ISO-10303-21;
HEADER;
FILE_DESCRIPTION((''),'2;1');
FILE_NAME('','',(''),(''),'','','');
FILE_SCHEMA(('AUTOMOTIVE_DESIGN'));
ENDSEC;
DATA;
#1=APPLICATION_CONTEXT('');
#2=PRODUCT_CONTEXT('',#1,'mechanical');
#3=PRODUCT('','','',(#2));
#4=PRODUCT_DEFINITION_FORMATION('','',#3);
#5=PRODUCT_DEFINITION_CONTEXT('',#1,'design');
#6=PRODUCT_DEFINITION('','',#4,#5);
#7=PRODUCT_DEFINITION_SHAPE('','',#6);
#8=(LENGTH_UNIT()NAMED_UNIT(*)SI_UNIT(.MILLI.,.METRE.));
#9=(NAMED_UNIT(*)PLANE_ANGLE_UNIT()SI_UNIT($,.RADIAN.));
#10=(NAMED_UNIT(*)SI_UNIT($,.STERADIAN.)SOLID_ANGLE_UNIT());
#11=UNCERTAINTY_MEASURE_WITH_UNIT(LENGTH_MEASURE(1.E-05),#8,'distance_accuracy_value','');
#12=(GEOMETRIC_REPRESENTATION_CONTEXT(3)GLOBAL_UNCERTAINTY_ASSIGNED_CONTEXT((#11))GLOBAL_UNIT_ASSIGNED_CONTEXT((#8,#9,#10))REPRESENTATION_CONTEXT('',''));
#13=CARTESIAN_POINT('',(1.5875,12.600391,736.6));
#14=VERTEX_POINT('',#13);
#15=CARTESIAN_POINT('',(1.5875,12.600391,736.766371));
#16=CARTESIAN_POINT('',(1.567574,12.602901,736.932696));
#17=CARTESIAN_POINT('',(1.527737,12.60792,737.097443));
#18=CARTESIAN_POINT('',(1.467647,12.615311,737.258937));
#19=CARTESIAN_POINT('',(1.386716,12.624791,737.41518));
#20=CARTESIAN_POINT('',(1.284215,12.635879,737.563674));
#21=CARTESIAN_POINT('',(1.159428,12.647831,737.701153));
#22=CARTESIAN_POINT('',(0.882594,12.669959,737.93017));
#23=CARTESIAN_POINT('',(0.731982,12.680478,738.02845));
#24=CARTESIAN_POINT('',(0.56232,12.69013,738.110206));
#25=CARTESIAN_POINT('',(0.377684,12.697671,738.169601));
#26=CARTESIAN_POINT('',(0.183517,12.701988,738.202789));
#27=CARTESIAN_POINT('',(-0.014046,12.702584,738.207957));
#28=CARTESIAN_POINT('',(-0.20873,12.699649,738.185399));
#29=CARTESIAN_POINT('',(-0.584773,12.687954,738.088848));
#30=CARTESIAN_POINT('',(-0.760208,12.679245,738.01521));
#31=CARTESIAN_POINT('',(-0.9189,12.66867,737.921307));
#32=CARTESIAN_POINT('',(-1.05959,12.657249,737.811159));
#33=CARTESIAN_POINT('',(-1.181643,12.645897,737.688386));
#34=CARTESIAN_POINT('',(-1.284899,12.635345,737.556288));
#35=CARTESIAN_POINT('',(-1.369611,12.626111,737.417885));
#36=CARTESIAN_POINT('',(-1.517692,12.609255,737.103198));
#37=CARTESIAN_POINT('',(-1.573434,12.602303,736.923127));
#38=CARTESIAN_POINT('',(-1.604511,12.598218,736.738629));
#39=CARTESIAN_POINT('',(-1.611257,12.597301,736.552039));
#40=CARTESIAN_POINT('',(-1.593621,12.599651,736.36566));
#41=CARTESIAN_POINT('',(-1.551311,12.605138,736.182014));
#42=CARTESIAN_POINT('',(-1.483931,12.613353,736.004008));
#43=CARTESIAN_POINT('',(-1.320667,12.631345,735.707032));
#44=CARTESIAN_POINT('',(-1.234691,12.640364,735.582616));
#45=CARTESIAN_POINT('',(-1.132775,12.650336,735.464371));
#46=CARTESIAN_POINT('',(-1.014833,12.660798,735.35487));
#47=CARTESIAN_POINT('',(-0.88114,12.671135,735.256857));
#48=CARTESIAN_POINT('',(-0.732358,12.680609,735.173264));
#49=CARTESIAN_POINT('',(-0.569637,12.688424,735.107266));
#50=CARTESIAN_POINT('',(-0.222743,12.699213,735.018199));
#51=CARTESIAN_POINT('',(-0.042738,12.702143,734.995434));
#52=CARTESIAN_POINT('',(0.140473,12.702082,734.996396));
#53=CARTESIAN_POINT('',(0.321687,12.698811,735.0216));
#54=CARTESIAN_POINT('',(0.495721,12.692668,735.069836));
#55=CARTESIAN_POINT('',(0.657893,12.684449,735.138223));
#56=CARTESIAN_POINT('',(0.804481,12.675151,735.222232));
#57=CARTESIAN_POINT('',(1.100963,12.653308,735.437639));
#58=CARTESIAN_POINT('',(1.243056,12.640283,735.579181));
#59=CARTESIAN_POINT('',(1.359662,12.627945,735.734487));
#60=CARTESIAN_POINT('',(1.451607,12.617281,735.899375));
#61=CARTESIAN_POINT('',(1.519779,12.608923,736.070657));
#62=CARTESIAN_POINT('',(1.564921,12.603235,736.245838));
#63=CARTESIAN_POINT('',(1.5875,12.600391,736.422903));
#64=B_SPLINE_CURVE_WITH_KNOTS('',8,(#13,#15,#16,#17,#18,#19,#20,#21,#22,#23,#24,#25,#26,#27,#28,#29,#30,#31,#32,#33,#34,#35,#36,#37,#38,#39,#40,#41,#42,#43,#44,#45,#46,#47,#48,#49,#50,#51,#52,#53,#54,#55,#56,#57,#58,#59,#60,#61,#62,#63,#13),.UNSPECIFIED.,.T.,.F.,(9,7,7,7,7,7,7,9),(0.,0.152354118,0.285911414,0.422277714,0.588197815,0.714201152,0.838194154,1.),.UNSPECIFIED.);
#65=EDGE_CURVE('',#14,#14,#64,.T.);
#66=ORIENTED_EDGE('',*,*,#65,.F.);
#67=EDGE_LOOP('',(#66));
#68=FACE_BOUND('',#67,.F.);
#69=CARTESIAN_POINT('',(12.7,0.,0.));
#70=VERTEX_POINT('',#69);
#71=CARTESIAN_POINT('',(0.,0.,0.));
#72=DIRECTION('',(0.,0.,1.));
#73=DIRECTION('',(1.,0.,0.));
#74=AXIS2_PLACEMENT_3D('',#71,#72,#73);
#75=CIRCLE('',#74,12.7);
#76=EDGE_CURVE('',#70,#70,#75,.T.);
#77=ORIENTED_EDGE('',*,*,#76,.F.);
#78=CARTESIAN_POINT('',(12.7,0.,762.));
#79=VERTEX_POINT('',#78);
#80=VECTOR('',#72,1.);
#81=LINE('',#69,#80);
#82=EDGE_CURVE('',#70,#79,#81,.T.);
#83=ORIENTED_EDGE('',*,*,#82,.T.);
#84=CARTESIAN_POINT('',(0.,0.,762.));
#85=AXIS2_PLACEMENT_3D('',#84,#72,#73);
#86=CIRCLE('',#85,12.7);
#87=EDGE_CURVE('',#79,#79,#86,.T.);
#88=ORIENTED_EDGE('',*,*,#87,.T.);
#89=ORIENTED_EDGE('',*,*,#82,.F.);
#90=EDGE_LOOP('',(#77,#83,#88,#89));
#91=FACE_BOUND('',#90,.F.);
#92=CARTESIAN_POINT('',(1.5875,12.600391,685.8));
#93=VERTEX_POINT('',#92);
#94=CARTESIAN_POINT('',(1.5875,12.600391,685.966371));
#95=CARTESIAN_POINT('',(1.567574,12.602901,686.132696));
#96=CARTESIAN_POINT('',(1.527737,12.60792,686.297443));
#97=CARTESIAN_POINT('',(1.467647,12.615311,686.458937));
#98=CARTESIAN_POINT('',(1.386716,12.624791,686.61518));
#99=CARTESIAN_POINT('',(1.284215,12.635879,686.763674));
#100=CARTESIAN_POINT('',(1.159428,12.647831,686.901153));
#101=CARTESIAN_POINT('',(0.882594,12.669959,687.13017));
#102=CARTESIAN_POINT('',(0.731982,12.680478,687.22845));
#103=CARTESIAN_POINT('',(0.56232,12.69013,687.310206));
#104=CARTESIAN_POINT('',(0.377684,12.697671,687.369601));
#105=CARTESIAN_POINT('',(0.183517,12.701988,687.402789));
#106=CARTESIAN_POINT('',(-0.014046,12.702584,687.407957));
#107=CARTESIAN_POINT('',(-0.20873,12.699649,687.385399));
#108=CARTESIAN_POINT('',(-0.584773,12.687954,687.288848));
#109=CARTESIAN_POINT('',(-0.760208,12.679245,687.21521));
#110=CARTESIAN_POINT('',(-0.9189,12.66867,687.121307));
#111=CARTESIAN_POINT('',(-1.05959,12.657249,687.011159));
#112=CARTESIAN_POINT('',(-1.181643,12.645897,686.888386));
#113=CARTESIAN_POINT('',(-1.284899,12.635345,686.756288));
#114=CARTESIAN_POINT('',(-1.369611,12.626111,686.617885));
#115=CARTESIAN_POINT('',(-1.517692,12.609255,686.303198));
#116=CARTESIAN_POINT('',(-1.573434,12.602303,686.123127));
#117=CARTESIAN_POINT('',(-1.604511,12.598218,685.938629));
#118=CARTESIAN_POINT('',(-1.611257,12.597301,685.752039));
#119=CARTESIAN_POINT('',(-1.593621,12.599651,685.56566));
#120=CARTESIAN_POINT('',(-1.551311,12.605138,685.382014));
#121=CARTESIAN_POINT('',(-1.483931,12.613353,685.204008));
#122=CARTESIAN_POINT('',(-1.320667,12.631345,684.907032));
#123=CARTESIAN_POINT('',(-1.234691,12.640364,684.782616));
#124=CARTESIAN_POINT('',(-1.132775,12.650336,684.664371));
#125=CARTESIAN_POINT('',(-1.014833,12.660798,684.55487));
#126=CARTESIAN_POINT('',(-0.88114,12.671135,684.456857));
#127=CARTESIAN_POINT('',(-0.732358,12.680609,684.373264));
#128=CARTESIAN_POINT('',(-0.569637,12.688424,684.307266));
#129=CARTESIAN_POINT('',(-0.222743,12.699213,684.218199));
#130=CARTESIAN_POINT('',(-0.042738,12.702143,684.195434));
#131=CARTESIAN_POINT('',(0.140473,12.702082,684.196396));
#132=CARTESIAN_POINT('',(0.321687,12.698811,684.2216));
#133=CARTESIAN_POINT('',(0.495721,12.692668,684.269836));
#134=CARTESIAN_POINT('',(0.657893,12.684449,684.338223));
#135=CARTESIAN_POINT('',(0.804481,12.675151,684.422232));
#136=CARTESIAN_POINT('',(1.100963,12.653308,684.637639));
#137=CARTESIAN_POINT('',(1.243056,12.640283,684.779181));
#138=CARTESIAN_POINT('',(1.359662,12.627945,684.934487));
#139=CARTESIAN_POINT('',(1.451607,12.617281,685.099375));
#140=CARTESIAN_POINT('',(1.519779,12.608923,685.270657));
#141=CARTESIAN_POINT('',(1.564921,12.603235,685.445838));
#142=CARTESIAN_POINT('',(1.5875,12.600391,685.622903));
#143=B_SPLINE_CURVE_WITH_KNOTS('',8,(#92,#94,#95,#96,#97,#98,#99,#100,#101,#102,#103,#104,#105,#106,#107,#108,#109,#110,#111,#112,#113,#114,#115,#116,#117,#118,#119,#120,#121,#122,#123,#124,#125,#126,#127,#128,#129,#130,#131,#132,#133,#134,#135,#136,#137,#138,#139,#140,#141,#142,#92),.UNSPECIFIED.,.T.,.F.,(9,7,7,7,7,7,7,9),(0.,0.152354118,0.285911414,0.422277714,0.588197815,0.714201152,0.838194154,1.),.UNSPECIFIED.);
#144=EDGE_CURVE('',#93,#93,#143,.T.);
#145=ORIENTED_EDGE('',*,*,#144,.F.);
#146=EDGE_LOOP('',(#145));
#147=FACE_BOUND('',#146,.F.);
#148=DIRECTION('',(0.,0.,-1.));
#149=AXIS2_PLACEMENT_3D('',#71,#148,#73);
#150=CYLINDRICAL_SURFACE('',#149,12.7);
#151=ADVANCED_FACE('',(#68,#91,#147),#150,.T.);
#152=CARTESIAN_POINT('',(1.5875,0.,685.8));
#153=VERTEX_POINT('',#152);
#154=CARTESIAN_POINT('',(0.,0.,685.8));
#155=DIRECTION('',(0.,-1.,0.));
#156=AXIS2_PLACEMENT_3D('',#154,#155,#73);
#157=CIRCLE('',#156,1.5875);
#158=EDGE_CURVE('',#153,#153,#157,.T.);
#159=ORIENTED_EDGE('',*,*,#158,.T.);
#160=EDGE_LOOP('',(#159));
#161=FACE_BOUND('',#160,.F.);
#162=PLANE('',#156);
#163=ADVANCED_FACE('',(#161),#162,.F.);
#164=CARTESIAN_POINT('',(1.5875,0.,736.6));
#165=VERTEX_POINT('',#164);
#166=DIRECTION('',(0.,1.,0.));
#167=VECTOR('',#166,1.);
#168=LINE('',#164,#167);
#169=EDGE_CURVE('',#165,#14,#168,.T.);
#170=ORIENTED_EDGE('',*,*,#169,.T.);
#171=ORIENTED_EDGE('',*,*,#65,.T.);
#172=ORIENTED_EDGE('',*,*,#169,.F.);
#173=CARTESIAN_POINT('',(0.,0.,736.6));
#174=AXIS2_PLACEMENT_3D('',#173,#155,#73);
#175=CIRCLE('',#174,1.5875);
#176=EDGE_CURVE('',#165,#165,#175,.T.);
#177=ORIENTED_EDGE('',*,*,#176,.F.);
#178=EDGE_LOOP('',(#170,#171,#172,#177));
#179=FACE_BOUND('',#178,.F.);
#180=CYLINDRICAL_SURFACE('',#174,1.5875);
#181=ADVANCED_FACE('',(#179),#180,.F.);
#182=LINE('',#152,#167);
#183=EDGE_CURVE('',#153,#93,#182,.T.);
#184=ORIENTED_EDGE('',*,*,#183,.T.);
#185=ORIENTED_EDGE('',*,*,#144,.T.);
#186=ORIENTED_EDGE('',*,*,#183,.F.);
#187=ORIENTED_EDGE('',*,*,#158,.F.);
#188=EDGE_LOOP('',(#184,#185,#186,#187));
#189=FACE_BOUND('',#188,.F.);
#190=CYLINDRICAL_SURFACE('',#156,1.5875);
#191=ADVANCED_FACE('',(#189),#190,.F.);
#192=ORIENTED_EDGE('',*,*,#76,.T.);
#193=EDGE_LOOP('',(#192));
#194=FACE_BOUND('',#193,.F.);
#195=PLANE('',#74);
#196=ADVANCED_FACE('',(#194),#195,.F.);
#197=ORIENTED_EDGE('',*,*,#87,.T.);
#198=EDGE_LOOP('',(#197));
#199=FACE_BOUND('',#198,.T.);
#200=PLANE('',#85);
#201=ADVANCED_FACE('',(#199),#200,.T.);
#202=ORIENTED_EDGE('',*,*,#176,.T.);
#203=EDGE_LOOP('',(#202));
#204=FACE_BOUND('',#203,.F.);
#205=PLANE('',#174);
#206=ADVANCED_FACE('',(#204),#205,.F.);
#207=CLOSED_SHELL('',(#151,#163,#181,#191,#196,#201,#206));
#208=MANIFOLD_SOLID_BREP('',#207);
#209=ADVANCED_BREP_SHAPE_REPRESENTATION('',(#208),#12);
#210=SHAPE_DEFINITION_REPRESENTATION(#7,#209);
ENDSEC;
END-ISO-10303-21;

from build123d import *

# Parameters (mm, degrees)
F0_R     = 12.7
F1_DEPTH = 762
F3_D     = 3.175
F3_DEPTH = 12.701


with BuildPart() as f1:
    # F0 (on Top) → F1 (new body)
    with BuildSketch(Plane.XY):
        Circle(F0_R)
    extrude(amount=F1_DEPTH)

    # F3 (through all, one way)
    with BuildSketch(Plane.XZ):
        with Locations((0, 736.6), (0, 685.8)):
            Circle(F3_D / 2)
    extrude(amount=-F3_DEPTH, mode=Mode.SUBTRACT)


solid = f1.part
